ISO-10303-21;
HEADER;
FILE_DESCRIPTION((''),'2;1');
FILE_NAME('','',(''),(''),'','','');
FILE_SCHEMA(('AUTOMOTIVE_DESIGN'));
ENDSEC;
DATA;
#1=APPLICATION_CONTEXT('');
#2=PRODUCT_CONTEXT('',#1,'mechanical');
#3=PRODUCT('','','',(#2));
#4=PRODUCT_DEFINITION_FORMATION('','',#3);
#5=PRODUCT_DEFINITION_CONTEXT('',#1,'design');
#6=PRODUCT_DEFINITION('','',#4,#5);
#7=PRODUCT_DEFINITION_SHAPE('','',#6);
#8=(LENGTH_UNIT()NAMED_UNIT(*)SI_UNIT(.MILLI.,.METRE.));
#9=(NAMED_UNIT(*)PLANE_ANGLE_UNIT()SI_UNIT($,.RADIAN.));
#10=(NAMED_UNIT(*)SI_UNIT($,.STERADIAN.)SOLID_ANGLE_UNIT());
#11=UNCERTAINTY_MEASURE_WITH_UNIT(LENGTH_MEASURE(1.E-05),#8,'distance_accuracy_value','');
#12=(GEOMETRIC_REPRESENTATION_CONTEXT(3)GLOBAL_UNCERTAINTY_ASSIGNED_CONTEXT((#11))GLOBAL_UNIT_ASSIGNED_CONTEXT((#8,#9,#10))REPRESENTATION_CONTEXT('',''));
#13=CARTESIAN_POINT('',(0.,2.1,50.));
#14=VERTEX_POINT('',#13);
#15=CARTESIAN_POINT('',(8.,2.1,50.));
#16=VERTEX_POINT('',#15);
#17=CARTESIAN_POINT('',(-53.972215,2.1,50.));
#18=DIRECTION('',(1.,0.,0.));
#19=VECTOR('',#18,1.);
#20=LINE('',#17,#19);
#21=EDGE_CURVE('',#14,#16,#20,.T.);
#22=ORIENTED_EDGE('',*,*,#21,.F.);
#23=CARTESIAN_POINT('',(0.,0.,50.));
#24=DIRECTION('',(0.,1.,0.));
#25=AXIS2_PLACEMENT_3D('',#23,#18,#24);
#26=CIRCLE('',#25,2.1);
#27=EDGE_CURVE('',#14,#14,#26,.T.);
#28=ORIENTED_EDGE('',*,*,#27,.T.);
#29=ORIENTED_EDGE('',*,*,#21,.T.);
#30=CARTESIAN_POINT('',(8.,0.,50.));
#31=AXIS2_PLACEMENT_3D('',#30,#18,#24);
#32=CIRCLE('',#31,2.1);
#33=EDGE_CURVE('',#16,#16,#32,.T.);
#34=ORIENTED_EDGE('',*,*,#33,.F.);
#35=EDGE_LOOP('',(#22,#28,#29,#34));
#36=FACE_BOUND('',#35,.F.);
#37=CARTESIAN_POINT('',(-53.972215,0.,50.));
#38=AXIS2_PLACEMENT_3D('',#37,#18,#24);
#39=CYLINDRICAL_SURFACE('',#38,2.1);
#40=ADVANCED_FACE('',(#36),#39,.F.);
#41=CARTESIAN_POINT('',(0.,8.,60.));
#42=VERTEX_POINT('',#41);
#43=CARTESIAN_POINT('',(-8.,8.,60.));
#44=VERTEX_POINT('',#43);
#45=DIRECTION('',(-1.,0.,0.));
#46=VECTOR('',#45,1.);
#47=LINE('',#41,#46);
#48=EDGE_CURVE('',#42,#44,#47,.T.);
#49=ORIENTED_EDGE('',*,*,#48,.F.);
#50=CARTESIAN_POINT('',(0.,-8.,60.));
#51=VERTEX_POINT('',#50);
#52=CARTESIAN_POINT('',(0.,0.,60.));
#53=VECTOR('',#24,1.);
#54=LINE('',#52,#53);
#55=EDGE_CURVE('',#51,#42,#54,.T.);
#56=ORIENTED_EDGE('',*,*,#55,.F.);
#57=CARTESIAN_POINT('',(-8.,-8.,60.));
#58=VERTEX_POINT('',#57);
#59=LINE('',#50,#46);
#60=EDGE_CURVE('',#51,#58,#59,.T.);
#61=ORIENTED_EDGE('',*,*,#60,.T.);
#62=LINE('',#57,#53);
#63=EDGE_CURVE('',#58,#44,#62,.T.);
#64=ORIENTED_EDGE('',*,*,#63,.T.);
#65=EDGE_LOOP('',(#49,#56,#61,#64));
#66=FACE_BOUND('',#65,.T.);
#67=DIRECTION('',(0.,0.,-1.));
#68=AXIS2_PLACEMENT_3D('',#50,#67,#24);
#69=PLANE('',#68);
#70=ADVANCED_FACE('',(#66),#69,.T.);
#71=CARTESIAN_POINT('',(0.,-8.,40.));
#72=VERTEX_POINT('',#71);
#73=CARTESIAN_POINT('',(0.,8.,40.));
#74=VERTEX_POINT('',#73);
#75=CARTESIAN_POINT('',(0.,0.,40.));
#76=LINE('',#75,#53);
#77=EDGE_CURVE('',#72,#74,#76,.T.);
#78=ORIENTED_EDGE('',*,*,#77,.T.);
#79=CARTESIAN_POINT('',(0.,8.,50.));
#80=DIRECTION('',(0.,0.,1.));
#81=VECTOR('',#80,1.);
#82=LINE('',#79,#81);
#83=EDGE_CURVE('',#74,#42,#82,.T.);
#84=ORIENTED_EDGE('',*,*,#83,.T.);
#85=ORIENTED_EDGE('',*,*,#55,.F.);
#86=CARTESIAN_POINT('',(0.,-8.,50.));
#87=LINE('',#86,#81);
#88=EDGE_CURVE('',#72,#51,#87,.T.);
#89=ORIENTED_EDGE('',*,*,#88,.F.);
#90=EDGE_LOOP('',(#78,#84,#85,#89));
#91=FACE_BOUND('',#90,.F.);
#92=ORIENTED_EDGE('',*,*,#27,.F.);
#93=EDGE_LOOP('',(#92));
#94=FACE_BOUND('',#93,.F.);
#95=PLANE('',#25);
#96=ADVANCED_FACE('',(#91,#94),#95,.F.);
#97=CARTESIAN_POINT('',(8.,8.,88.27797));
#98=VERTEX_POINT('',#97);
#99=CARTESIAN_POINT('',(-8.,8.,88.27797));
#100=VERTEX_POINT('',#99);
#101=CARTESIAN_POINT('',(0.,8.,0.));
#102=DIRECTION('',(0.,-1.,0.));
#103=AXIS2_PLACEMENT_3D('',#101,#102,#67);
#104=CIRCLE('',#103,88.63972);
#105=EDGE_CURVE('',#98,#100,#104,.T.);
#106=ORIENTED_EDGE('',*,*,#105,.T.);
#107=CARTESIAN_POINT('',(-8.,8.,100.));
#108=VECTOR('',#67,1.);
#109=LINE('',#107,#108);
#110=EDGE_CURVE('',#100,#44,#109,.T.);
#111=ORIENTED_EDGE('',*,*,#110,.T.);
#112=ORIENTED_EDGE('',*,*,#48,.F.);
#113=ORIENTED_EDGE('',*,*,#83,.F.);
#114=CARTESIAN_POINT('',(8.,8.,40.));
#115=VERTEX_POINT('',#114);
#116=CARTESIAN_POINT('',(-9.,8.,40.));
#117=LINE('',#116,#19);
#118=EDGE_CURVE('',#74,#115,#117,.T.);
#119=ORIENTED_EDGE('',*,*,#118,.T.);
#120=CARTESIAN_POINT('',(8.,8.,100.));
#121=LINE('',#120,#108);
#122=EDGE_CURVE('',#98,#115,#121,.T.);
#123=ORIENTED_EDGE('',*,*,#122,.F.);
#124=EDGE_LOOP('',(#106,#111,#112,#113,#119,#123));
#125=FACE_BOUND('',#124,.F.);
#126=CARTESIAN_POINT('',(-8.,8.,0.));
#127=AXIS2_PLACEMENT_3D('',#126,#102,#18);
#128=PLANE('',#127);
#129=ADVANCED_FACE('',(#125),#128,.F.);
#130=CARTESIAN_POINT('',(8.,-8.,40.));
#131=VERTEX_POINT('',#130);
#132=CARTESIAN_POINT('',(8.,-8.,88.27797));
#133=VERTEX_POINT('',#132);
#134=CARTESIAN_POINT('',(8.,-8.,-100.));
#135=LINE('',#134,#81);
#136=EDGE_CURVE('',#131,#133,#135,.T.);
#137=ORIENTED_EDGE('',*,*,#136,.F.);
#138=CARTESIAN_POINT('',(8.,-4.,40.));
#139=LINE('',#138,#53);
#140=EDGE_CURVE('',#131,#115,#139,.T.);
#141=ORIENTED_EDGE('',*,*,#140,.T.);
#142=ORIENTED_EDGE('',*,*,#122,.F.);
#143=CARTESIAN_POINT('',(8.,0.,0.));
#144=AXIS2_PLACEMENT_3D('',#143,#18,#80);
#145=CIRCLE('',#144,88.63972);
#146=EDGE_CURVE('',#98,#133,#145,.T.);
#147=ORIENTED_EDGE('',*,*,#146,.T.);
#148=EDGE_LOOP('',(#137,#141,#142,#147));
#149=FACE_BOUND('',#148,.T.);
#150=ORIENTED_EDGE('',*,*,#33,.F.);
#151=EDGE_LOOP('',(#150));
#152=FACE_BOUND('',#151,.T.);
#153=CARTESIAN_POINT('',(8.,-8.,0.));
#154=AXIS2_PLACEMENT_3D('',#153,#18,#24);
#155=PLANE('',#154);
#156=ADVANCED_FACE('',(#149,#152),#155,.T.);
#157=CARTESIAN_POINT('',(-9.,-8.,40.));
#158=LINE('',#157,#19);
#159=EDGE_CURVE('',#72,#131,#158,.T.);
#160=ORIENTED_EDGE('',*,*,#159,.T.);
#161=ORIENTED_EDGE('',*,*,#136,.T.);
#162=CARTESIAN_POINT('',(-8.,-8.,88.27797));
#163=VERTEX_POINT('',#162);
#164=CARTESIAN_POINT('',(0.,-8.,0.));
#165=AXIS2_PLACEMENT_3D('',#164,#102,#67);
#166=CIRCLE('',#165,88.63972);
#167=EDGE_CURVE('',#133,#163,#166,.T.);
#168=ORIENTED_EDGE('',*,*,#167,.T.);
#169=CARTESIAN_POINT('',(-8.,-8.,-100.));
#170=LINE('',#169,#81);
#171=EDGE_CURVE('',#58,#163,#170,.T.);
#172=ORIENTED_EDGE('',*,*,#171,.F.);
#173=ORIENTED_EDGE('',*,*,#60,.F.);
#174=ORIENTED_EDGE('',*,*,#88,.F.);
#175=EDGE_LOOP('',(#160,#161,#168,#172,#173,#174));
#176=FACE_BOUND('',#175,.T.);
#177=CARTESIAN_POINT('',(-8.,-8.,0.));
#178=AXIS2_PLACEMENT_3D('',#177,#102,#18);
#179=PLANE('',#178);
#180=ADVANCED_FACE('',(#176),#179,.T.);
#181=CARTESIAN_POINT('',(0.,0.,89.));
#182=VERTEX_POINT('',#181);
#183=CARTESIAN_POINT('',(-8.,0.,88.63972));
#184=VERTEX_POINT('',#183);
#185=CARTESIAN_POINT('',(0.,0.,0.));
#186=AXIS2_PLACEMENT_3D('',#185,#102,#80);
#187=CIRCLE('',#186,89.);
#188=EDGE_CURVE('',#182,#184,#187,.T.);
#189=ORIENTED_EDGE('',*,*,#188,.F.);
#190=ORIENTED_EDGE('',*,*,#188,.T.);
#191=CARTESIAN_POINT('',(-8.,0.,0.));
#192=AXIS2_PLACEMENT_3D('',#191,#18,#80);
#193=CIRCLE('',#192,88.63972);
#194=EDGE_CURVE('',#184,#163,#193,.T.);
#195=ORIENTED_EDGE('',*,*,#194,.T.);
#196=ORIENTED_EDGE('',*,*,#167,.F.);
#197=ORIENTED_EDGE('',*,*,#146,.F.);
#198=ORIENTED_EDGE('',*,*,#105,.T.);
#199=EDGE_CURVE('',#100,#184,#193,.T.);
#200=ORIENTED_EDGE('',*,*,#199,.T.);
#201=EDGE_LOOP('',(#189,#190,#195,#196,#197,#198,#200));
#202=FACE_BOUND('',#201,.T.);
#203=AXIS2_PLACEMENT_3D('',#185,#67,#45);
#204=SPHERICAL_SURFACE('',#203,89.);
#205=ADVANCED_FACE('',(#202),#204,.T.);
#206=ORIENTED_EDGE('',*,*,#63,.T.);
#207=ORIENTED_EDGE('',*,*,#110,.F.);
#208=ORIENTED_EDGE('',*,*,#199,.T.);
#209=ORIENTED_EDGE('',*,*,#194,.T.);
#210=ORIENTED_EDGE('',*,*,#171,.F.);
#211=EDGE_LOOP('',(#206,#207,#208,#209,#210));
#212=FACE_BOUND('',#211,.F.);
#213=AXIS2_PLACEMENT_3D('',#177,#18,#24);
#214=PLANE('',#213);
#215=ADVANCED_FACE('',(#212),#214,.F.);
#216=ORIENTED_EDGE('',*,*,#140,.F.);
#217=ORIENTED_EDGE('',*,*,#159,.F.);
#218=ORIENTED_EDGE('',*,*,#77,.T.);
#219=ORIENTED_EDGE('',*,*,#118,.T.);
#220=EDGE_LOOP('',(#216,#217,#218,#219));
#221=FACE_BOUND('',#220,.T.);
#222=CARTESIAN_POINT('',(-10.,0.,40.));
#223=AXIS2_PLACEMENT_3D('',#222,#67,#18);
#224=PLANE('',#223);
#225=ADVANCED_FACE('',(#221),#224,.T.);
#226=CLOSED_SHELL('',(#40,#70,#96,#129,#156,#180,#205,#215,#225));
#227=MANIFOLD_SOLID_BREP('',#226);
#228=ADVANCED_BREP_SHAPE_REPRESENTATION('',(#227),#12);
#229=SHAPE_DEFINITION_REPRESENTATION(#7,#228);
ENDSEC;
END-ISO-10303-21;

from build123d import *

# Parameters (mm, degrees)
F2_W     = 16
F2_H     = 16
F3_DEPTH = 100
F4_W     = 20
F4_H     = 140
F5_DEPTH = 12.5
F6_W     = 16
F6_H     = 20
F7_DEPTH = 25
F9_D     = 4.2


with BuildPart() as f1:
    # F0 (on Front) → F1 (revolve)
    with BuildSketch(Plane.XZ):
        with BuildLine():
            Line((0, -89), (0, 89))
            ThreePointArc((0, 89), (-89, 0), (0, -89))
        make_face()
    revolve(axis=Axis((0, 0, 0), (0, 0, -1)))

    # F2 (on Top) → F3 (intersect, symmetric)
    with BuildSketch(Plane.XY):
        Rectangle(F2_W, F2_H)
    extrude(amount=F3_DEPTH, both=True, mode=Mode.INTERSECT)

    # F4 (on Front) → F5 (cut, symmetric)
    with BuildSketch(Plane.XZ):
        with Locations((0, -30)):
            Rectangle(F4_W, F4_H)
    extrude(amount=F5_DEPTH, both=True, mode=Mode.SUBTRACT)

    # F6 (on Right) → F7 (cut)
    with BuildSketch(Plane.YZ):
        with Locations((0, 50)):
            Rectangle(F6_W, F6_H)
    extrude(amount=-F7_DEPTH, mode=Mode.SUBTRACT)

    # F9 (through all)
    with Locations(Plane(origin=(0, 0, 0), x_dir=(0, -1, 0), z_dir=(-1, 0, 0))):
        with Locations((0, 50)):
            Hole(F9_D / 2)


solid = f1.part
